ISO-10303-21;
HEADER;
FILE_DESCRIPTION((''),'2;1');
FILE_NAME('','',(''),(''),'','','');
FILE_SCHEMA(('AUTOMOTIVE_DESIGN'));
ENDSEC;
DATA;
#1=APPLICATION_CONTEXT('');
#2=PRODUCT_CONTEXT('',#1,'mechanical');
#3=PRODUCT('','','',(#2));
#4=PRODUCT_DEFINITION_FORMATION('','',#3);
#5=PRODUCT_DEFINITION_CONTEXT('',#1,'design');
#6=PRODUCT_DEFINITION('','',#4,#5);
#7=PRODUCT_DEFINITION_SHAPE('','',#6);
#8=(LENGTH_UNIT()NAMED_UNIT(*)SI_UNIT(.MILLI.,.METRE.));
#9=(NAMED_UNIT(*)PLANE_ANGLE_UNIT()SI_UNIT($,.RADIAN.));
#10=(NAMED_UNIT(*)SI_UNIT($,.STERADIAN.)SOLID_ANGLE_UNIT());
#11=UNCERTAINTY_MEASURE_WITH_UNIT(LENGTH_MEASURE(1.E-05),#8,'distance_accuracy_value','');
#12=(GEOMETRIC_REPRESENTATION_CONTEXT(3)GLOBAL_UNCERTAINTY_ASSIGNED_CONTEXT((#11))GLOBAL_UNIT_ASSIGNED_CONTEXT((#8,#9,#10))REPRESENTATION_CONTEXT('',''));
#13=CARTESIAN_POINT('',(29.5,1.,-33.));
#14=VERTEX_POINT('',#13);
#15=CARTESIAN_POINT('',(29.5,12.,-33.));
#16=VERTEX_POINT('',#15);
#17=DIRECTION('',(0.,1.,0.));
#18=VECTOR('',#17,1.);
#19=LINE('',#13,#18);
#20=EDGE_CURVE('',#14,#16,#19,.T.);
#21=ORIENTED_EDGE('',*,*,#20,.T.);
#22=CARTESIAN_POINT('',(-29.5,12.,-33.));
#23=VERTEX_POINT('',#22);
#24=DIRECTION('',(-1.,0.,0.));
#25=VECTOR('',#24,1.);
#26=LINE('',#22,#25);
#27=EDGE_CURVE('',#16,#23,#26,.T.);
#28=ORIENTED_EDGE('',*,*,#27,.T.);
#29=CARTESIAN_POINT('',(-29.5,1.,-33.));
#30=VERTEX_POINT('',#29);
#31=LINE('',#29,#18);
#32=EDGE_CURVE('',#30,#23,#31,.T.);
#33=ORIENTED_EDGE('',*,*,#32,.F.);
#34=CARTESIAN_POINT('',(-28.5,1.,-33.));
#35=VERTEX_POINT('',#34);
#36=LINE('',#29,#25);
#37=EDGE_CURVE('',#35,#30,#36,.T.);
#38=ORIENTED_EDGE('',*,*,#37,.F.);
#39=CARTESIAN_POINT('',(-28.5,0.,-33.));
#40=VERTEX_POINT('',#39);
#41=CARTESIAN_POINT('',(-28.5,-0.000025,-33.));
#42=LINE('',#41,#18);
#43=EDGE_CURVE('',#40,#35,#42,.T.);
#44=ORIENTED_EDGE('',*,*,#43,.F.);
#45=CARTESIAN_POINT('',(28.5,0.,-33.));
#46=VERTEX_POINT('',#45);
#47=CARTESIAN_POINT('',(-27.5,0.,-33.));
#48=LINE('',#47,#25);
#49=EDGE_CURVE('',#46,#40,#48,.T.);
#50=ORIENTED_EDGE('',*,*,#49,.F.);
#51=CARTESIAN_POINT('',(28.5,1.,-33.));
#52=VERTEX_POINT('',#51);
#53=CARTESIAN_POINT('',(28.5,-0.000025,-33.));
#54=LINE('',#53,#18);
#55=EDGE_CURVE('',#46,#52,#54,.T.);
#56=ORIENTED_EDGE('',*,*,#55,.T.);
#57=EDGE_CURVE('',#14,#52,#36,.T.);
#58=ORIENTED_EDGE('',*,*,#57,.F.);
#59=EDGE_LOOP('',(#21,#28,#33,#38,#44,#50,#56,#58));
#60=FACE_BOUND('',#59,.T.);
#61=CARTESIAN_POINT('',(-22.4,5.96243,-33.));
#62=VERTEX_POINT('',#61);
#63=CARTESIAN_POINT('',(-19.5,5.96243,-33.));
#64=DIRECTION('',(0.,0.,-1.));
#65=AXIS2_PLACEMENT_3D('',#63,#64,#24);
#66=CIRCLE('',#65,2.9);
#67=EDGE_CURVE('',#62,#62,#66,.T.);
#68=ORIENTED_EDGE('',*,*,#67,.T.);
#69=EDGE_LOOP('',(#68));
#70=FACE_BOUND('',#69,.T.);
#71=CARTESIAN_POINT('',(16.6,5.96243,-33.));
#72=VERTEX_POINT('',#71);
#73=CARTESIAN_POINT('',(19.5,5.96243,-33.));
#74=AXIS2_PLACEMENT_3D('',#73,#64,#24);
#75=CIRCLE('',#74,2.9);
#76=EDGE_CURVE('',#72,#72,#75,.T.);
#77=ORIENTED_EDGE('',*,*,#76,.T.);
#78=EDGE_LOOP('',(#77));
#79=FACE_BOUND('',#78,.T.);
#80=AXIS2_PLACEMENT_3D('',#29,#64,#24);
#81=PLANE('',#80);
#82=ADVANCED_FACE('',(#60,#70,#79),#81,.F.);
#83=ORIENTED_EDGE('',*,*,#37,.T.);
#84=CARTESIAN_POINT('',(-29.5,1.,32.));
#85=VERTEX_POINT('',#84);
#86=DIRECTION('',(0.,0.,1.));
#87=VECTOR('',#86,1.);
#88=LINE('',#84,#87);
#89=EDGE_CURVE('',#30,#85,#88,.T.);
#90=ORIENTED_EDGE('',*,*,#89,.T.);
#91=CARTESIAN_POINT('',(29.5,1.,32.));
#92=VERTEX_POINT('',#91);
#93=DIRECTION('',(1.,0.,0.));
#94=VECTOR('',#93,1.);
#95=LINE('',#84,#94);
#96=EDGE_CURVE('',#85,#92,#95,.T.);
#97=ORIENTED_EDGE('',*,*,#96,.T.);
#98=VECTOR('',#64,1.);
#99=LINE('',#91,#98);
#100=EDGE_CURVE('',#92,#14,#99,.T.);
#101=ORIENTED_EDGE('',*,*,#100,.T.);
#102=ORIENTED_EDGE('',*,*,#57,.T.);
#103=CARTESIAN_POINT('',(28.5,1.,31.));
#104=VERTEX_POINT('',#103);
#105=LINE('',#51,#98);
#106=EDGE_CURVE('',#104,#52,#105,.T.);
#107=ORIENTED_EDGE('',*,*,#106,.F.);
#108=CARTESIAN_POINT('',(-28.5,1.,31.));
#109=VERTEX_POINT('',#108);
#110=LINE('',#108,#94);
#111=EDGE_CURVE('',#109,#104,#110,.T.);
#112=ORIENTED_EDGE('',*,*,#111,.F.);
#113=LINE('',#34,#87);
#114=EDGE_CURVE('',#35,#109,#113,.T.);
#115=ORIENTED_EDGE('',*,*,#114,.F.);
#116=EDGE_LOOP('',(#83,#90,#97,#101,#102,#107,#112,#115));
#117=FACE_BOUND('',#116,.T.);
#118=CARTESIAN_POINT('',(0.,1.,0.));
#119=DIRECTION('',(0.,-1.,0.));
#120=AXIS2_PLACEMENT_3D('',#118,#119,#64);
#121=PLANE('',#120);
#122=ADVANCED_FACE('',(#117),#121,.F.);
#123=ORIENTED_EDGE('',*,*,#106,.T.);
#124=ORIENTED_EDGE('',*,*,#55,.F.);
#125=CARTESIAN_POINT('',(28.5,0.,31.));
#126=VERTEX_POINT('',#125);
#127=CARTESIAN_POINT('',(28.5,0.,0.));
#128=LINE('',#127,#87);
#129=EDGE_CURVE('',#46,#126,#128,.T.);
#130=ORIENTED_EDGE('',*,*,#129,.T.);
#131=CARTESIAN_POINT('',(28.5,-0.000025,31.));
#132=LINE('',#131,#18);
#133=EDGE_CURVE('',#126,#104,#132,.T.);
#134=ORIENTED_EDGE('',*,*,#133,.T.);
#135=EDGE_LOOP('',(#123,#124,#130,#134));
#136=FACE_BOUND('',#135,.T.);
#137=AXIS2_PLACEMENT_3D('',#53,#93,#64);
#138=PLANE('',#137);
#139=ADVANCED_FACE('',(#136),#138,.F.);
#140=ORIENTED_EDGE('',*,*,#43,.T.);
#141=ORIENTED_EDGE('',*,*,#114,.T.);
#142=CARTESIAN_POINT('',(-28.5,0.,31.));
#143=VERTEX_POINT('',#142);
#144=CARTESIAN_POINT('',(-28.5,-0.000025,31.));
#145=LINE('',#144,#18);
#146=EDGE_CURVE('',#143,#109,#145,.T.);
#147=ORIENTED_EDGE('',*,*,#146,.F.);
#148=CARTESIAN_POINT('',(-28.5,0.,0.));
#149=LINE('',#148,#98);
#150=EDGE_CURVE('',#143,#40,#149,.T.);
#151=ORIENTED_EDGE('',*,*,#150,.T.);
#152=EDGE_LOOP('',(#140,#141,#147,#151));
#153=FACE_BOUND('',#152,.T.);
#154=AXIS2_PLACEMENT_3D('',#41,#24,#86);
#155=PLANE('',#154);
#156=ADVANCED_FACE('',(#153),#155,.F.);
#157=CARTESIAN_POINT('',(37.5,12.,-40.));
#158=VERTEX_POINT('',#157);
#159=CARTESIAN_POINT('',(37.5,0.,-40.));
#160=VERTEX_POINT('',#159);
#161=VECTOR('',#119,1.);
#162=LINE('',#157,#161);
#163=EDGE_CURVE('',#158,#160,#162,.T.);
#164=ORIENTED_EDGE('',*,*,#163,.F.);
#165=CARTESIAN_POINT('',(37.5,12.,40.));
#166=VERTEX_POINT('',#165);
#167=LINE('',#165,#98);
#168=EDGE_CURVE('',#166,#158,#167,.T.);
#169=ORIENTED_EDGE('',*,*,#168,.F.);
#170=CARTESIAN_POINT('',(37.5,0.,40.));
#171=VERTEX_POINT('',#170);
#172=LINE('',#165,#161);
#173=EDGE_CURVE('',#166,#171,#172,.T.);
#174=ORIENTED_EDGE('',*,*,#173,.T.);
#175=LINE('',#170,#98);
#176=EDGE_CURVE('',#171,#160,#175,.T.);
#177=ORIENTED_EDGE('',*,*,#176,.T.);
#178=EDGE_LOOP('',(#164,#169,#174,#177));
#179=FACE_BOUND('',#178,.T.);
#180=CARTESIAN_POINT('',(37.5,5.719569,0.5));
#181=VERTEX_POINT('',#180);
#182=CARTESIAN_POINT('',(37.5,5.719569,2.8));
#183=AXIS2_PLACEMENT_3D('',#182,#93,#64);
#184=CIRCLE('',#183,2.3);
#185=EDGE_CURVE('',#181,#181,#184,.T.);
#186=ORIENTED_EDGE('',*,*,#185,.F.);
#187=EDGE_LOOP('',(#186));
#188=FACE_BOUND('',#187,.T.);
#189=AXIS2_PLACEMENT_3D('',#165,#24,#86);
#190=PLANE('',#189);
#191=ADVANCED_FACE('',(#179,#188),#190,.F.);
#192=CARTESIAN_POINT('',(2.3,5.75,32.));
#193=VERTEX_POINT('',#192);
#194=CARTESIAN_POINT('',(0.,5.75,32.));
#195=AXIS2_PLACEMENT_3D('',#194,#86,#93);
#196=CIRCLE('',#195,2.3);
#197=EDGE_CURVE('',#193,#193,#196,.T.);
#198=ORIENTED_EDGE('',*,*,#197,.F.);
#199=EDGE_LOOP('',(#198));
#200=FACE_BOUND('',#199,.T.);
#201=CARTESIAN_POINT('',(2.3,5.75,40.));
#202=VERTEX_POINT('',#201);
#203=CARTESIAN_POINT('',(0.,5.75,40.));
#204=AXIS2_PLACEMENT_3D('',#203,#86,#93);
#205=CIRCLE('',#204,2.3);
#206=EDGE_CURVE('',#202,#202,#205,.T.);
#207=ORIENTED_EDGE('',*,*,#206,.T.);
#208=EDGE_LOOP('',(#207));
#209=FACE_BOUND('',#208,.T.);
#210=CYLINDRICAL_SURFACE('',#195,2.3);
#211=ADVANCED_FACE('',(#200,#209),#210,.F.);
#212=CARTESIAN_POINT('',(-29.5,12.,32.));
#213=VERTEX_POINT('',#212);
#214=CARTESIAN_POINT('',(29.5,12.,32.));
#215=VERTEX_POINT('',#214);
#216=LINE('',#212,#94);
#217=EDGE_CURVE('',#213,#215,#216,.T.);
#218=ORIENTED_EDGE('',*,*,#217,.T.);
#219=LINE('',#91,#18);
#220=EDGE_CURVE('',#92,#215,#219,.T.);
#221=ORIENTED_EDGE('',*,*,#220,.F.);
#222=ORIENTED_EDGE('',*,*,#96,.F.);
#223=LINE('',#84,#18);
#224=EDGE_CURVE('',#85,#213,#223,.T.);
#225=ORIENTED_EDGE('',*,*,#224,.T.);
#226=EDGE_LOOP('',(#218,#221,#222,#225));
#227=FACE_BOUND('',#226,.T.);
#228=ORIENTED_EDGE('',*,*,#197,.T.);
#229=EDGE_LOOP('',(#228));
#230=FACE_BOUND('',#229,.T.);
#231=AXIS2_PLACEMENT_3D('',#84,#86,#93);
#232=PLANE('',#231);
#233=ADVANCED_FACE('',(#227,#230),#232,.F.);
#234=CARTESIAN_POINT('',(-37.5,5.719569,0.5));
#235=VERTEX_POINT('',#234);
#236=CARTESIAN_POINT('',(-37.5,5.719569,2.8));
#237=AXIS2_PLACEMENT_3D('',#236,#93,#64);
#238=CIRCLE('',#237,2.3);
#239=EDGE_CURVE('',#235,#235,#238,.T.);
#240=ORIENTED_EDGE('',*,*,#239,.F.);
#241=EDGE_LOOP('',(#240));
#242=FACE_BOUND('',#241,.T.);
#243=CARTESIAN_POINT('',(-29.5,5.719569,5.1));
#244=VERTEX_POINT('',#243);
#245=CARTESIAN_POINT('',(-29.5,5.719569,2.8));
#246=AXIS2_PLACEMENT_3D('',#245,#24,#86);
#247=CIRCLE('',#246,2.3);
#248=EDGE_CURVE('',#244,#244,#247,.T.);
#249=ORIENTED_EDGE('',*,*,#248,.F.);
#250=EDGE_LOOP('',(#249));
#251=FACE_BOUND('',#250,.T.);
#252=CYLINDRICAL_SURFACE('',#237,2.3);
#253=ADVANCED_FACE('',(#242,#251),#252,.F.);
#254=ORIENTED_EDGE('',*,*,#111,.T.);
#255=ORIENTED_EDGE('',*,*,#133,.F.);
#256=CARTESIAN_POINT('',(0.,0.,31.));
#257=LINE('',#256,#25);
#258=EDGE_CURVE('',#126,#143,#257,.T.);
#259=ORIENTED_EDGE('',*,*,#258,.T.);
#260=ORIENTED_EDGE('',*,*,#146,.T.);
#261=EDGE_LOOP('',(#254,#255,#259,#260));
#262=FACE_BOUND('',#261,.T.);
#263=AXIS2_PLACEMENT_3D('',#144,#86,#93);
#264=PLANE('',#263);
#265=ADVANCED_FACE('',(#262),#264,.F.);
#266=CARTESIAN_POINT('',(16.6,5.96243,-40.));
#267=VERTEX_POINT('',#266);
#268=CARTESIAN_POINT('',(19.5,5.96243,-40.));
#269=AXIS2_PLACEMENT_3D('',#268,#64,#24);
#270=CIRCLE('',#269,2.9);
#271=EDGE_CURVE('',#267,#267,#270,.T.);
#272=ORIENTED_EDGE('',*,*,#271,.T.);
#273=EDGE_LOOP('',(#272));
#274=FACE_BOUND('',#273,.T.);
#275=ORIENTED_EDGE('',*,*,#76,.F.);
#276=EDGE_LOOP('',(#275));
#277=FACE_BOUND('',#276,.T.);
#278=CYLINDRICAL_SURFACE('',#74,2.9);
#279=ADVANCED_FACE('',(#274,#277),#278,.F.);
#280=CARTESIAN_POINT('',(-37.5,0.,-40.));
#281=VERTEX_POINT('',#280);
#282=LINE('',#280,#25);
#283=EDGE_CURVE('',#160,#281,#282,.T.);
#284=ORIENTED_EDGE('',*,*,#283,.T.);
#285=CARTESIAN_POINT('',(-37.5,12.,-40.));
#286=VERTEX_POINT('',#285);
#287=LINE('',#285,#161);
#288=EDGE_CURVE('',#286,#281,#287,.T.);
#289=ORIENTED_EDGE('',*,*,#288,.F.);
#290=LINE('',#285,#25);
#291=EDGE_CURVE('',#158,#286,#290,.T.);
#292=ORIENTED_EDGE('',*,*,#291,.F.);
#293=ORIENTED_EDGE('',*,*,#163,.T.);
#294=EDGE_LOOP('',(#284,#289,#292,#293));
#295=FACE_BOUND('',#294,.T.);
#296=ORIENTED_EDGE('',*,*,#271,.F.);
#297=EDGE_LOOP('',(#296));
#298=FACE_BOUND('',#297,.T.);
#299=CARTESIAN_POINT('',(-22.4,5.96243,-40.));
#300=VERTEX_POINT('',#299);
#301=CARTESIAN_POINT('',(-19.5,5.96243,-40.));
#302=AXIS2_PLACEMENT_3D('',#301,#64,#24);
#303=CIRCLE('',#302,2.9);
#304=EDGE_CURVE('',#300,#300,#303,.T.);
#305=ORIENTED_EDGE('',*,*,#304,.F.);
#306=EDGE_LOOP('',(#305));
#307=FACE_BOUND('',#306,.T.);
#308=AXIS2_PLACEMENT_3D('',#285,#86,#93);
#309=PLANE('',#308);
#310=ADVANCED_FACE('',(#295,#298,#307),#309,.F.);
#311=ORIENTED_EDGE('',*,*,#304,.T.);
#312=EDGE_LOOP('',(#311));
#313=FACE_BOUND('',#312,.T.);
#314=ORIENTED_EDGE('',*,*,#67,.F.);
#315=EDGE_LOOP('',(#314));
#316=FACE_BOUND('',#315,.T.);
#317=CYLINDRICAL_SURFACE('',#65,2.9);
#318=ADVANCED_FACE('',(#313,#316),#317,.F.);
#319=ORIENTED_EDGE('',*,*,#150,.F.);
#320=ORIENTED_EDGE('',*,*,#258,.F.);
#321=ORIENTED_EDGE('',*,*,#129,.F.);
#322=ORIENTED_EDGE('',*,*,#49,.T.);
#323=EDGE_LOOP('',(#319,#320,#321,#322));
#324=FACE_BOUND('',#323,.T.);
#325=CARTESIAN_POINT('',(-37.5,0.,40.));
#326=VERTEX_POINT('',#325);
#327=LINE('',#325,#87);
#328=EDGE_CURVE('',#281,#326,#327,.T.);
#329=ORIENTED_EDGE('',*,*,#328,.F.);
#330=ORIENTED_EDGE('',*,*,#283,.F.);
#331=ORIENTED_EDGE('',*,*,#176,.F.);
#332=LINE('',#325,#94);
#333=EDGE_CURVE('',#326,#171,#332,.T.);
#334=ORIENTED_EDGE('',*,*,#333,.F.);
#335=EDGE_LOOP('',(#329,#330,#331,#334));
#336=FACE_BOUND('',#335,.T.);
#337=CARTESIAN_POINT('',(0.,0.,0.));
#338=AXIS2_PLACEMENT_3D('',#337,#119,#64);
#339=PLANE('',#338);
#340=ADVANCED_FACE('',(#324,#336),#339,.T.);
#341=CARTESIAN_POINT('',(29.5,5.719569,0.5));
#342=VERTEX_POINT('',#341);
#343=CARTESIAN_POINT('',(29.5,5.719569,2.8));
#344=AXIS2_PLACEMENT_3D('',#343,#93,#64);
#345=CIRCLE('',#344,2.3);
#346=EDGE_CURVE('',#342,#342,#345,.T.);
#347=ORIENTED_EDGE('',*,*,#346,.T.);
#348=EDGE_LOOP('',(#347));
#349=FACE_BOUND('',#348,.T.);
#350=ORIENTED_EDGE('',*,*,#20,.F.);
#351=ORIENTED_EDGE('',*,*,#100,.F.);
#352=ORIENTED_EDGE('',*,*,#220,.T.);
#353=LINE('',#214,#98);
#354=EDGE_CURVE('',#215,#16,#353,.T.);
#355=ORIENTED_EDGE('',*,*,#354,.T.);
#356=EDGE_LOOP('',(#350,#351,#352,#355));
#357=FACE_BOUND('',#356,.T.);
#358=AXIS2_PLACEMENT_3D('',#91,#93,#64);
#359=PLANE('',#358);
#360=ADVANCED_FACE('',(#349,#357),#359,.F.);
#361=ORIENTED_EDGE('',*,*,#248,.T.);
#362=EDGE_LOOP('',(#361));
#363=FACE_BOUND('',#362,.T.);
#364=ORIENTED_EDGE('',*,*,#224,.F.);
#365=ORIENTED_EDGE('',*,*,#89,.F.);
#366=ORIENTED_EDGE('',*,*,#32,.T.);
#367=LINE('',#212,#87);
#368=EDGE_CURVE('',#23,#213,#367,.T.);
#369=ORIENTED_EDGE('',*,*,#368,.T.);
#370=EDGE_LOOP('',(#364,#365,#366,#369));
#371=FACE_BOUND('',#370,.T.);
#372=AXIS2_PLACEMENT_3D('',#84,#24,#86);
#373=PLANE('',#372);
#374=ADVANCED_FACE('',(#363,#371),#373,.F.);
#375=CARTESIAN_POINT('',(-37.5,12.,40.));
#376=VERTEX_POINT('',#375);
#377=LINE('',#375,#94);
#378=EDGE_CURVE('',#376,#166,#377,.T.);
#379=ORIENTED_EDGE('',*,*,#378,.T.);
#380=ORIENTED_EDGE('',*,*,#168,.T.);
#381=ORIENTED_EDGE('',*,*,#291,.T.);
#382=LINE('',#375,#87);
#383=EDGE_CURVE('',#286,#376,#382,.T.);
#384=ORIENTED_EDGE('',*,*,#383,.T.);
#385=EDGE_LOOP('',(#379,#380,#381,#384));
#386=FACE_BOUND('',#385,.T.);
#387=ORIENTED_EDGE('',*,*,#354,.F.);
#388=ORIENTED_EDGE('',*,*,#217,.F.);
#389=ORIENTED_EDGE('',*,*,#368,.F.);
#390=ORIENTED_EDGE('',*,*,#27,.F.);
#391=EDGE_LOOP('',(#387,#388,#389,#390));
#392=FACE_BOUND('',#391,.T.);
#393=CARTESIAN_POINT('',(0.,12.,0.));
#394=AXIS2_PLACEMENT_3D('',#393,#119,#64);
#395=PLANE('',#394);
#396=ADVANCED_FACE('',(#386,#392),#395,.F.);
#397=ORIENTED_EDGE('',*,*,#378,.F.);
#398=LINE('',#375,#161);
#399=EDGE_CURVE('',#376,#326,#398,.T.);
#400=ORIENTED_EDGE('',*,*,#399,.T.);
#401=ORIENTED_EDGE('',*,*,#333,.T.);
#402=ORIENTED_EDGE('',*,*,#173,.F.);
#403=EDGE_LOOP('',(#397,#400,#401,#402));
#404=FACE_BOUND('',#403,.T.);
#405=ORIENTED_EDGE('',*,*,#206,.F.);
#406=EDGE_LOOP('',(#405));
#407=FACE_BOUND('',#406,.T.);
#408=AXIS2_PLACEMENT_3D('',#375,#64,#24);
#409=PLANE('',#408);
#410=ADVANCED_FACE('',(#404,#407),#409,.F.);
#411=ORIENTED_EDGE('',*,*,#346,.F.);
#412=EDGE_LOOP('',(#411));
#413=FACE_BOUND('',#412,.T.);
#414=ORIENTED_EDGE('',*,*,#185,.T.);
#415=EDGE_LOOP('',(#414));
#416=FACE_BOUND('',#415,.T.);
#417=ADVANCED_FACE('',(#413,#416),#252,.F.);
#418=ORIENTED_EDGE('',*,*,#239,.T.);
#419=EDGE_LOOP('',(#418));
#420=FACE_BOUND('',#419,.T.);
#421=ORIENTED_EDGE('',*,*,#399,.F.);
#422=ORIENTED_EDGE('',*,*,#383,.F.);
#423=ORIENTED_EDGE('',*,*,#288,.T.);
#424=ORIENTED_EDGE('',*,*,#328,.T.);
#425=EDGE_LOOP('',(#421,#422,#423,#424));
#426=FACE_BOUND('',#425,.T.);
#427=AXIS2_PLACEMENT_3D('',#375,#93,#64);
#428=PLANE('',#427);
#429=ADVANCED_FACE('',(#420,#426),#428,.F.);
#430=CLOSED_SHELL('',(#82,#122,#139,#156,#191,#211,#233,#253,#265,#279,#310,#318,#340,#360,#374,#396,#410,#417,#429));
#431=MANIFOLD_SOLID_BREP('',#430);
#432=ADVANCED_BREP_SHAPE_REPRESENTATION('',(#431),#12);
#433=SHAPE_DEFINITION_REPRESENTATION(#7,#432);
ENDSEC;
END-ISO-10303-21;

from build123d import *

# Parameters (mm, degrees)
SKETCH1_W           = 75
SKETCH1_H           = 80
BOSS_EXTRUDE1_DEPTH = 12
SKETCH2_W           = 59
SKETCH2_H           = 65
CUT_EXTRUDE1_DEPTH  = 11
SKETCH3_W           = 55
SKETCH3_H           = 63
CUT_EXTRUDE2_DEPTH  = 56.921820428
SKETCH5_R           = 2.9
CUT_EXTRUDE4_DEPTH  = 7
SKETCH7_W           = 57
SKETCH7_H           = 64
CUT_EXTRUDE5_DEPTH  = 56.921820428
SKETCH9_R           = 2.3
CUT_EXTRUDE6_DEPTH  = 8
SKETCH10_R          = 2.3
CUT_EXTRUDE7_DEPTH  = 86.842879728


with BuildPart() as part:
    # Sketch1 → Boss-Extrude1 (new body)
    with BuildSketch(Plane(origin=(0, 0, 0), x_dir=(1, 0, 0), z_dir=(0, 1, 0))):
        Rectangle(SKETCH1_W, SKETCH1_H)
    extrude(amount=BOSS_EXTRUDE1_DEPTH)

    # Sketch2 → Cut-Extrude1 (cut)
    with BuildSketch(Plane(origin=(0, 12, 0), x_dir=(1, 0, 0), z_dir=(0, 1, 0))):
        with Locations((0, 0.5)):
            Rectangle(SKETCH2_W, SKETCH2_H)
    extrude(amount=-CUT_EXTRUDE1_DEPTH, mode=Mode.SUBTRACT)

    # Sketch3 → Cut-Extrude2 (cut, through all)
    with BuildSketch(Plane(origin=(0, 1, 0), x_dir=(1, 0, 0), z_dir=(0, 1, 0))):
        with Locations((0, 1.5)):
            Rectangle(SKETCH3_W, SKETCH3_H)
    extrude(amount=-CUT_EXTRUDE2_DEPTH, mode=Mode.SUBTRACT)

    # Sketch5 → Cut-Extrude4 (cut)
    with BuildSketch(Plane(origin=(0, 0, -40), x_dir=(-1, 0, 0), z_dir=(0, 0, -1))):
        with Locations((-19.5, 5.962429795)):
            Circle(SKETCH5_R)
        with Locations((19.5, 5.962429795)):
            Circle(SKETCH5_R)
    extrude(amount=-CUT_EXTRUDE4_DEPTH, mode=Mode.SUBTRACT)

    # Sketch7 → Cut-Extrude5 (cut, through all)
    with BuildSketch(Plane(origin=(0, 1, 0), x_dir=(1, 0, 0), z_dir=(0, 1, 0))):
        with Locations((0, 1)):
            Rectangle(SKETCH7_W, SKETCH7_H)
    extrude(amount=-CUT_EXTRUDE5_DEPTH, mode=Mode.SUBTRACT)

    # Sketch9 → Cut-Extrude6 (cut)
    with BuildSketch(Plane.XY.offset(40)):
        with Locations((0, 5.75)):
            Circle(SKETCH9_R)
    extrude(amount=-CUT_EXTRUDE6_DEPTH, mode=Mode.SUBTRACT)

    # Sketch10 → Cut-Extrude7 (cut, through all)
    with BuildSketch(Plane(origin=(37.5, 0, 0), x_dir=(0, 0, -1), z_dir=(1, 0, 0))):
        with Locations((-2.8, 5.719569138)):
            Circle(SKETCH10_R)
    extrude(amount=-CUT_EXTRUDE7_DEPTH, mode=Mode.SUBTRACT)


solid = part.part
